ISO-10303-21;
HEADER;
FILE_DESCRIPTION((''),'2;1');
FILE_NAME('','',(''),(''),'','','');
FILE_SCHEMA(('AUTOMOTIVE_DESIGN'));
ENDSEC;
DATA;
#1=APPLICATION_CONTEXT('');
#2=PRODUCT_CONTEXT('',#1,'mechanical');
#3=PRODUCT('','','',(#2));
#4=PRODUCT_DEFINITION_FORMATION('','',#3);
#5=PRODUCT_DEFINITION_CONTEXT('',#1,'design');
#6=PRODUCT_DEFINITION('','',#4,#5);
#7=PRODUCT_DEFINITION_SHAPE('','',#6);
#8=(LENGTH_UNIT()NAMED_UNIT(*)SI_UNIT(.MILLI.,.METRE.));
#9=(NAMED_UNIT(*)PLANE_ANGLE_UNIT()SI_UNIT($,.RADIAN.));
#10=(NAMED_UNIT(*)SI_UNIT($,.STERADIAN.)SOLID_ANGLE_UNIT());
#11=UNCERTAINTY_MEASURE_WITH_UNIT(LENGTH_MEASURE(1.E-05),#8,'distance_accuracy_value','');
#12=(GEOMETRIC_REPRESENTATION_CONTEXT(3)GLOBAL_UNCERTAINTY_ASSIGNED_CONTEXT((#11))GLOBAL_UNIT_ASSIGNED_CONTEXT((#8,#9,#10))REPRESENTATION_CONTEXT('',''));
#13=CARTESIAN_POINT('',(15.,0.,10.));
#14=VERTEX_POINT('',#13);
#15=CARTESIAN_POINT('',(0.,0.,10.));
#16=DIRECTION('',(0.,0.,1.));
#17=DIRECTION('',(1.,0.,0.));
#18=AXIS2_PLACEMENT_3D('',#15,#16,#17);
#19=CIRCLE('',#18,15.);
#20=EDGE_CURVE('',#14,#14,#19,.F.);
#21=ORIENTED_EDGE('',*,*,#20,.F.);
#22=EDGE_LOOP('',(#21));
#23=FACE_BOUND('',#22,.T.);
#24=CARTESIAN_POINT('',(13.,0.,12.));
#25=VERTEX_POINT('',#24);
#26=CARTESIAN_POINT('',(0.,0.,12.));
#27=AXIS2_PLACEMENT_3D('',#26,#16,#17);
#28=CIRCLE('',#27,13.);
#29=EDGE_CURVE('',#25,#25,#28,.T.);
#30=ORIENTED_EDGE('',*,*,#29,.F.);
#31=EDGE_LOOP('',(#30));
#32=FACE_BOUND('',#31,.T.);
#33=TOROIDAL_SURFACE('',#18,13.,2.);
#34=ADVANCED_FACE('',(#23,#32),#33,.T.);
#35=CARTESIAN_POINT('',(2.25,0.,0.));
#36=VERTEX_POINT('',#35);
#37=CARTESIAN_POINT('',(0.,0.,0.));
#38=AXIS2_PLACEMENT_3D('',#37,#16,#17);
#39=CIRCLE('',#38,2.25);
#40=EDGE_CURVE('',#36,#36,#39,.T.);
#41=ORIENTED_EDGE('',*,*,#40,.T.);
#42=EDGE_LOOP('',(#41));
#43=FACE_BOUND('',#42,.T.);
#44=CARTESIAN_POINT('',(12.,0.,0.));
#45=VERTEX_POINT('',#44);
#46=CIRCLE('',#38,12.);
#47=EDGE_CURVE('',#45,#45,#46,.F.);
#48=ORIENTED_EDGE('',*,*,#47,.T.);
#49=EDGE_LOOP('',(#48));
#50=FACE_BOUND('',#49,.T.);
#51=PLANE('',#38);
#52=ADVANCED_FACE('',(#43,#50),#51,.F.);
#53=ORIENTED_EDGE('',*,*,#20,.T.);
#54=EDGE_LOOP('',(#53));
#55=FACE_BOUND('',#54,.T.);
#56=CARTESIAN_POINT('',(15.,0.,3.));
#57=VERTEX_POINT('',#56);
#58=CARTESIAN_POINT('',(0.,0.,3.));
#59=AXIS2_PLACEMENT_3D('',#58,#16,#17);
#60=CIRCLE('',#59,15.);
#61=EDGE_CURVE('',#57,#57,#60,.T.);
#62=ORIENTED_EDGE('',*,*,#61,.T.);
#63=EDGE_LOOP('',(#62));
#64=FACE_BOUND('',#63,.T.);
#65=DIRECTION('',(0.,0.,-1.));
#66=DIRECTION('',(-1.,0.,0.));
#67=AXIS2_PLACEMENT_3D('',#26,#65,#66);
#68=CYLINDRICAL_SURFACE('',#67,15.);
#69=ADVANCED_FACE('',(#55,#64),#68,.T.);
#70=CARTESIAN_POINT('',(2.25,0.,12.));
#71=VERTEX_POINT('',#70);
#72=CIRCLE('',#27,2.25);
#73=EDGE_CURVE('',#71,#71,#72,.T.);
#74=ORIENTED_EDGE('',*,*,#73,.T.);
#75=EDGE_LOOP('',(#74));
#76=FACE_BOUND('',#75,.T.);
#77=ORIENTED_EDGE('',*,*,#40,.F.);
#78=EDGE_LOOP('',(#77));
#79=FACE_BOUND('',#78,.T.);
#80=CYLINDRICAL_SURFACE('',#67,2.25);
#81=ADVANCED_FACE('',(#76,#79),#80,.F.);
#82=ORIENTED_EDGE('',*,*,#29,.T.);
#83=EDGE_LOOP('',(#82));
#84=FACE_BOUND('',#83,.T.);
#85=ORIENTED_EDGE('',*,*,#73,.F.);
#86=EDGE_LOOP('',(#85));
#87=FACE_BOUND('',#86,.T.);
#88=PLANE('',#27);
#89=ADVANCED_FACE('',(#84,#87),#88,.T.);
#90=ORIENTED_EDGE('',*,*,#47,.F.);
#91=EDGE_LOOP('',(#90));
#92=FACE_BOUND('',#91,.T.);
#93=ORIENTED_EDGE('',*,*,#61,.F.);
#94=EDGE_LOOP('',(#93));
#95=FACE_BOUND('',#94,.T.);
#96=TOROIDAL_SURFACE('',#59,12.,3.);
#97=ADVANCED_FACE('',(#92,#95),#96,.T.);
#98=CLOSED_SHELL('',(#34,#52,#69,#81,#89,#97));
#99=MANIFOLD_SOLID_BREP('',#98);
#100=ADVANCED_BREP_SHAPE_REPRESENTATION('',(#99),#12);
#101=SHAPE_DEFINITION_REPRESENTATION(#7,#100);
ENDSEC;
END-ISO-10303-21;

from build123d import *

# Parameters (mm, degrees)
SKETCH_1_R      = 15
SKETCH_1_R_2    = 2.25
EXTRUDE_1_DEPTH = 12
FILLET_1_R      = 2
FILLET_2_R      = 3


with BuildPart() as part:
    # Эскиз1 → Бобышка-Вытянуть1 (new body)
    with BuildSketch(Plane.XY):
        Circle(SKETCH_1_R)
        Circle(SKETCH_1_R_2, mode=Mode.SUBTRACT)
    extrude(amount=EXTRUDE_1_DEPTH)

    # Скругление1
    fillet_1_edges = [part.edges().sort_by_distance(p)[0] for p in [
        (-15, 0, 12),
    ]]
    fillet(fillet_1_edges, radius=FILLET_1_R)

    # Скругление2
    fillet_2_edges = [part.edges().sort_by_distance(p)[0] for p in [
        (-15, 0, 0),
    ]]
    fillet(fillet_2_edges, radius=FILLET_2_R)


solid = part.part
